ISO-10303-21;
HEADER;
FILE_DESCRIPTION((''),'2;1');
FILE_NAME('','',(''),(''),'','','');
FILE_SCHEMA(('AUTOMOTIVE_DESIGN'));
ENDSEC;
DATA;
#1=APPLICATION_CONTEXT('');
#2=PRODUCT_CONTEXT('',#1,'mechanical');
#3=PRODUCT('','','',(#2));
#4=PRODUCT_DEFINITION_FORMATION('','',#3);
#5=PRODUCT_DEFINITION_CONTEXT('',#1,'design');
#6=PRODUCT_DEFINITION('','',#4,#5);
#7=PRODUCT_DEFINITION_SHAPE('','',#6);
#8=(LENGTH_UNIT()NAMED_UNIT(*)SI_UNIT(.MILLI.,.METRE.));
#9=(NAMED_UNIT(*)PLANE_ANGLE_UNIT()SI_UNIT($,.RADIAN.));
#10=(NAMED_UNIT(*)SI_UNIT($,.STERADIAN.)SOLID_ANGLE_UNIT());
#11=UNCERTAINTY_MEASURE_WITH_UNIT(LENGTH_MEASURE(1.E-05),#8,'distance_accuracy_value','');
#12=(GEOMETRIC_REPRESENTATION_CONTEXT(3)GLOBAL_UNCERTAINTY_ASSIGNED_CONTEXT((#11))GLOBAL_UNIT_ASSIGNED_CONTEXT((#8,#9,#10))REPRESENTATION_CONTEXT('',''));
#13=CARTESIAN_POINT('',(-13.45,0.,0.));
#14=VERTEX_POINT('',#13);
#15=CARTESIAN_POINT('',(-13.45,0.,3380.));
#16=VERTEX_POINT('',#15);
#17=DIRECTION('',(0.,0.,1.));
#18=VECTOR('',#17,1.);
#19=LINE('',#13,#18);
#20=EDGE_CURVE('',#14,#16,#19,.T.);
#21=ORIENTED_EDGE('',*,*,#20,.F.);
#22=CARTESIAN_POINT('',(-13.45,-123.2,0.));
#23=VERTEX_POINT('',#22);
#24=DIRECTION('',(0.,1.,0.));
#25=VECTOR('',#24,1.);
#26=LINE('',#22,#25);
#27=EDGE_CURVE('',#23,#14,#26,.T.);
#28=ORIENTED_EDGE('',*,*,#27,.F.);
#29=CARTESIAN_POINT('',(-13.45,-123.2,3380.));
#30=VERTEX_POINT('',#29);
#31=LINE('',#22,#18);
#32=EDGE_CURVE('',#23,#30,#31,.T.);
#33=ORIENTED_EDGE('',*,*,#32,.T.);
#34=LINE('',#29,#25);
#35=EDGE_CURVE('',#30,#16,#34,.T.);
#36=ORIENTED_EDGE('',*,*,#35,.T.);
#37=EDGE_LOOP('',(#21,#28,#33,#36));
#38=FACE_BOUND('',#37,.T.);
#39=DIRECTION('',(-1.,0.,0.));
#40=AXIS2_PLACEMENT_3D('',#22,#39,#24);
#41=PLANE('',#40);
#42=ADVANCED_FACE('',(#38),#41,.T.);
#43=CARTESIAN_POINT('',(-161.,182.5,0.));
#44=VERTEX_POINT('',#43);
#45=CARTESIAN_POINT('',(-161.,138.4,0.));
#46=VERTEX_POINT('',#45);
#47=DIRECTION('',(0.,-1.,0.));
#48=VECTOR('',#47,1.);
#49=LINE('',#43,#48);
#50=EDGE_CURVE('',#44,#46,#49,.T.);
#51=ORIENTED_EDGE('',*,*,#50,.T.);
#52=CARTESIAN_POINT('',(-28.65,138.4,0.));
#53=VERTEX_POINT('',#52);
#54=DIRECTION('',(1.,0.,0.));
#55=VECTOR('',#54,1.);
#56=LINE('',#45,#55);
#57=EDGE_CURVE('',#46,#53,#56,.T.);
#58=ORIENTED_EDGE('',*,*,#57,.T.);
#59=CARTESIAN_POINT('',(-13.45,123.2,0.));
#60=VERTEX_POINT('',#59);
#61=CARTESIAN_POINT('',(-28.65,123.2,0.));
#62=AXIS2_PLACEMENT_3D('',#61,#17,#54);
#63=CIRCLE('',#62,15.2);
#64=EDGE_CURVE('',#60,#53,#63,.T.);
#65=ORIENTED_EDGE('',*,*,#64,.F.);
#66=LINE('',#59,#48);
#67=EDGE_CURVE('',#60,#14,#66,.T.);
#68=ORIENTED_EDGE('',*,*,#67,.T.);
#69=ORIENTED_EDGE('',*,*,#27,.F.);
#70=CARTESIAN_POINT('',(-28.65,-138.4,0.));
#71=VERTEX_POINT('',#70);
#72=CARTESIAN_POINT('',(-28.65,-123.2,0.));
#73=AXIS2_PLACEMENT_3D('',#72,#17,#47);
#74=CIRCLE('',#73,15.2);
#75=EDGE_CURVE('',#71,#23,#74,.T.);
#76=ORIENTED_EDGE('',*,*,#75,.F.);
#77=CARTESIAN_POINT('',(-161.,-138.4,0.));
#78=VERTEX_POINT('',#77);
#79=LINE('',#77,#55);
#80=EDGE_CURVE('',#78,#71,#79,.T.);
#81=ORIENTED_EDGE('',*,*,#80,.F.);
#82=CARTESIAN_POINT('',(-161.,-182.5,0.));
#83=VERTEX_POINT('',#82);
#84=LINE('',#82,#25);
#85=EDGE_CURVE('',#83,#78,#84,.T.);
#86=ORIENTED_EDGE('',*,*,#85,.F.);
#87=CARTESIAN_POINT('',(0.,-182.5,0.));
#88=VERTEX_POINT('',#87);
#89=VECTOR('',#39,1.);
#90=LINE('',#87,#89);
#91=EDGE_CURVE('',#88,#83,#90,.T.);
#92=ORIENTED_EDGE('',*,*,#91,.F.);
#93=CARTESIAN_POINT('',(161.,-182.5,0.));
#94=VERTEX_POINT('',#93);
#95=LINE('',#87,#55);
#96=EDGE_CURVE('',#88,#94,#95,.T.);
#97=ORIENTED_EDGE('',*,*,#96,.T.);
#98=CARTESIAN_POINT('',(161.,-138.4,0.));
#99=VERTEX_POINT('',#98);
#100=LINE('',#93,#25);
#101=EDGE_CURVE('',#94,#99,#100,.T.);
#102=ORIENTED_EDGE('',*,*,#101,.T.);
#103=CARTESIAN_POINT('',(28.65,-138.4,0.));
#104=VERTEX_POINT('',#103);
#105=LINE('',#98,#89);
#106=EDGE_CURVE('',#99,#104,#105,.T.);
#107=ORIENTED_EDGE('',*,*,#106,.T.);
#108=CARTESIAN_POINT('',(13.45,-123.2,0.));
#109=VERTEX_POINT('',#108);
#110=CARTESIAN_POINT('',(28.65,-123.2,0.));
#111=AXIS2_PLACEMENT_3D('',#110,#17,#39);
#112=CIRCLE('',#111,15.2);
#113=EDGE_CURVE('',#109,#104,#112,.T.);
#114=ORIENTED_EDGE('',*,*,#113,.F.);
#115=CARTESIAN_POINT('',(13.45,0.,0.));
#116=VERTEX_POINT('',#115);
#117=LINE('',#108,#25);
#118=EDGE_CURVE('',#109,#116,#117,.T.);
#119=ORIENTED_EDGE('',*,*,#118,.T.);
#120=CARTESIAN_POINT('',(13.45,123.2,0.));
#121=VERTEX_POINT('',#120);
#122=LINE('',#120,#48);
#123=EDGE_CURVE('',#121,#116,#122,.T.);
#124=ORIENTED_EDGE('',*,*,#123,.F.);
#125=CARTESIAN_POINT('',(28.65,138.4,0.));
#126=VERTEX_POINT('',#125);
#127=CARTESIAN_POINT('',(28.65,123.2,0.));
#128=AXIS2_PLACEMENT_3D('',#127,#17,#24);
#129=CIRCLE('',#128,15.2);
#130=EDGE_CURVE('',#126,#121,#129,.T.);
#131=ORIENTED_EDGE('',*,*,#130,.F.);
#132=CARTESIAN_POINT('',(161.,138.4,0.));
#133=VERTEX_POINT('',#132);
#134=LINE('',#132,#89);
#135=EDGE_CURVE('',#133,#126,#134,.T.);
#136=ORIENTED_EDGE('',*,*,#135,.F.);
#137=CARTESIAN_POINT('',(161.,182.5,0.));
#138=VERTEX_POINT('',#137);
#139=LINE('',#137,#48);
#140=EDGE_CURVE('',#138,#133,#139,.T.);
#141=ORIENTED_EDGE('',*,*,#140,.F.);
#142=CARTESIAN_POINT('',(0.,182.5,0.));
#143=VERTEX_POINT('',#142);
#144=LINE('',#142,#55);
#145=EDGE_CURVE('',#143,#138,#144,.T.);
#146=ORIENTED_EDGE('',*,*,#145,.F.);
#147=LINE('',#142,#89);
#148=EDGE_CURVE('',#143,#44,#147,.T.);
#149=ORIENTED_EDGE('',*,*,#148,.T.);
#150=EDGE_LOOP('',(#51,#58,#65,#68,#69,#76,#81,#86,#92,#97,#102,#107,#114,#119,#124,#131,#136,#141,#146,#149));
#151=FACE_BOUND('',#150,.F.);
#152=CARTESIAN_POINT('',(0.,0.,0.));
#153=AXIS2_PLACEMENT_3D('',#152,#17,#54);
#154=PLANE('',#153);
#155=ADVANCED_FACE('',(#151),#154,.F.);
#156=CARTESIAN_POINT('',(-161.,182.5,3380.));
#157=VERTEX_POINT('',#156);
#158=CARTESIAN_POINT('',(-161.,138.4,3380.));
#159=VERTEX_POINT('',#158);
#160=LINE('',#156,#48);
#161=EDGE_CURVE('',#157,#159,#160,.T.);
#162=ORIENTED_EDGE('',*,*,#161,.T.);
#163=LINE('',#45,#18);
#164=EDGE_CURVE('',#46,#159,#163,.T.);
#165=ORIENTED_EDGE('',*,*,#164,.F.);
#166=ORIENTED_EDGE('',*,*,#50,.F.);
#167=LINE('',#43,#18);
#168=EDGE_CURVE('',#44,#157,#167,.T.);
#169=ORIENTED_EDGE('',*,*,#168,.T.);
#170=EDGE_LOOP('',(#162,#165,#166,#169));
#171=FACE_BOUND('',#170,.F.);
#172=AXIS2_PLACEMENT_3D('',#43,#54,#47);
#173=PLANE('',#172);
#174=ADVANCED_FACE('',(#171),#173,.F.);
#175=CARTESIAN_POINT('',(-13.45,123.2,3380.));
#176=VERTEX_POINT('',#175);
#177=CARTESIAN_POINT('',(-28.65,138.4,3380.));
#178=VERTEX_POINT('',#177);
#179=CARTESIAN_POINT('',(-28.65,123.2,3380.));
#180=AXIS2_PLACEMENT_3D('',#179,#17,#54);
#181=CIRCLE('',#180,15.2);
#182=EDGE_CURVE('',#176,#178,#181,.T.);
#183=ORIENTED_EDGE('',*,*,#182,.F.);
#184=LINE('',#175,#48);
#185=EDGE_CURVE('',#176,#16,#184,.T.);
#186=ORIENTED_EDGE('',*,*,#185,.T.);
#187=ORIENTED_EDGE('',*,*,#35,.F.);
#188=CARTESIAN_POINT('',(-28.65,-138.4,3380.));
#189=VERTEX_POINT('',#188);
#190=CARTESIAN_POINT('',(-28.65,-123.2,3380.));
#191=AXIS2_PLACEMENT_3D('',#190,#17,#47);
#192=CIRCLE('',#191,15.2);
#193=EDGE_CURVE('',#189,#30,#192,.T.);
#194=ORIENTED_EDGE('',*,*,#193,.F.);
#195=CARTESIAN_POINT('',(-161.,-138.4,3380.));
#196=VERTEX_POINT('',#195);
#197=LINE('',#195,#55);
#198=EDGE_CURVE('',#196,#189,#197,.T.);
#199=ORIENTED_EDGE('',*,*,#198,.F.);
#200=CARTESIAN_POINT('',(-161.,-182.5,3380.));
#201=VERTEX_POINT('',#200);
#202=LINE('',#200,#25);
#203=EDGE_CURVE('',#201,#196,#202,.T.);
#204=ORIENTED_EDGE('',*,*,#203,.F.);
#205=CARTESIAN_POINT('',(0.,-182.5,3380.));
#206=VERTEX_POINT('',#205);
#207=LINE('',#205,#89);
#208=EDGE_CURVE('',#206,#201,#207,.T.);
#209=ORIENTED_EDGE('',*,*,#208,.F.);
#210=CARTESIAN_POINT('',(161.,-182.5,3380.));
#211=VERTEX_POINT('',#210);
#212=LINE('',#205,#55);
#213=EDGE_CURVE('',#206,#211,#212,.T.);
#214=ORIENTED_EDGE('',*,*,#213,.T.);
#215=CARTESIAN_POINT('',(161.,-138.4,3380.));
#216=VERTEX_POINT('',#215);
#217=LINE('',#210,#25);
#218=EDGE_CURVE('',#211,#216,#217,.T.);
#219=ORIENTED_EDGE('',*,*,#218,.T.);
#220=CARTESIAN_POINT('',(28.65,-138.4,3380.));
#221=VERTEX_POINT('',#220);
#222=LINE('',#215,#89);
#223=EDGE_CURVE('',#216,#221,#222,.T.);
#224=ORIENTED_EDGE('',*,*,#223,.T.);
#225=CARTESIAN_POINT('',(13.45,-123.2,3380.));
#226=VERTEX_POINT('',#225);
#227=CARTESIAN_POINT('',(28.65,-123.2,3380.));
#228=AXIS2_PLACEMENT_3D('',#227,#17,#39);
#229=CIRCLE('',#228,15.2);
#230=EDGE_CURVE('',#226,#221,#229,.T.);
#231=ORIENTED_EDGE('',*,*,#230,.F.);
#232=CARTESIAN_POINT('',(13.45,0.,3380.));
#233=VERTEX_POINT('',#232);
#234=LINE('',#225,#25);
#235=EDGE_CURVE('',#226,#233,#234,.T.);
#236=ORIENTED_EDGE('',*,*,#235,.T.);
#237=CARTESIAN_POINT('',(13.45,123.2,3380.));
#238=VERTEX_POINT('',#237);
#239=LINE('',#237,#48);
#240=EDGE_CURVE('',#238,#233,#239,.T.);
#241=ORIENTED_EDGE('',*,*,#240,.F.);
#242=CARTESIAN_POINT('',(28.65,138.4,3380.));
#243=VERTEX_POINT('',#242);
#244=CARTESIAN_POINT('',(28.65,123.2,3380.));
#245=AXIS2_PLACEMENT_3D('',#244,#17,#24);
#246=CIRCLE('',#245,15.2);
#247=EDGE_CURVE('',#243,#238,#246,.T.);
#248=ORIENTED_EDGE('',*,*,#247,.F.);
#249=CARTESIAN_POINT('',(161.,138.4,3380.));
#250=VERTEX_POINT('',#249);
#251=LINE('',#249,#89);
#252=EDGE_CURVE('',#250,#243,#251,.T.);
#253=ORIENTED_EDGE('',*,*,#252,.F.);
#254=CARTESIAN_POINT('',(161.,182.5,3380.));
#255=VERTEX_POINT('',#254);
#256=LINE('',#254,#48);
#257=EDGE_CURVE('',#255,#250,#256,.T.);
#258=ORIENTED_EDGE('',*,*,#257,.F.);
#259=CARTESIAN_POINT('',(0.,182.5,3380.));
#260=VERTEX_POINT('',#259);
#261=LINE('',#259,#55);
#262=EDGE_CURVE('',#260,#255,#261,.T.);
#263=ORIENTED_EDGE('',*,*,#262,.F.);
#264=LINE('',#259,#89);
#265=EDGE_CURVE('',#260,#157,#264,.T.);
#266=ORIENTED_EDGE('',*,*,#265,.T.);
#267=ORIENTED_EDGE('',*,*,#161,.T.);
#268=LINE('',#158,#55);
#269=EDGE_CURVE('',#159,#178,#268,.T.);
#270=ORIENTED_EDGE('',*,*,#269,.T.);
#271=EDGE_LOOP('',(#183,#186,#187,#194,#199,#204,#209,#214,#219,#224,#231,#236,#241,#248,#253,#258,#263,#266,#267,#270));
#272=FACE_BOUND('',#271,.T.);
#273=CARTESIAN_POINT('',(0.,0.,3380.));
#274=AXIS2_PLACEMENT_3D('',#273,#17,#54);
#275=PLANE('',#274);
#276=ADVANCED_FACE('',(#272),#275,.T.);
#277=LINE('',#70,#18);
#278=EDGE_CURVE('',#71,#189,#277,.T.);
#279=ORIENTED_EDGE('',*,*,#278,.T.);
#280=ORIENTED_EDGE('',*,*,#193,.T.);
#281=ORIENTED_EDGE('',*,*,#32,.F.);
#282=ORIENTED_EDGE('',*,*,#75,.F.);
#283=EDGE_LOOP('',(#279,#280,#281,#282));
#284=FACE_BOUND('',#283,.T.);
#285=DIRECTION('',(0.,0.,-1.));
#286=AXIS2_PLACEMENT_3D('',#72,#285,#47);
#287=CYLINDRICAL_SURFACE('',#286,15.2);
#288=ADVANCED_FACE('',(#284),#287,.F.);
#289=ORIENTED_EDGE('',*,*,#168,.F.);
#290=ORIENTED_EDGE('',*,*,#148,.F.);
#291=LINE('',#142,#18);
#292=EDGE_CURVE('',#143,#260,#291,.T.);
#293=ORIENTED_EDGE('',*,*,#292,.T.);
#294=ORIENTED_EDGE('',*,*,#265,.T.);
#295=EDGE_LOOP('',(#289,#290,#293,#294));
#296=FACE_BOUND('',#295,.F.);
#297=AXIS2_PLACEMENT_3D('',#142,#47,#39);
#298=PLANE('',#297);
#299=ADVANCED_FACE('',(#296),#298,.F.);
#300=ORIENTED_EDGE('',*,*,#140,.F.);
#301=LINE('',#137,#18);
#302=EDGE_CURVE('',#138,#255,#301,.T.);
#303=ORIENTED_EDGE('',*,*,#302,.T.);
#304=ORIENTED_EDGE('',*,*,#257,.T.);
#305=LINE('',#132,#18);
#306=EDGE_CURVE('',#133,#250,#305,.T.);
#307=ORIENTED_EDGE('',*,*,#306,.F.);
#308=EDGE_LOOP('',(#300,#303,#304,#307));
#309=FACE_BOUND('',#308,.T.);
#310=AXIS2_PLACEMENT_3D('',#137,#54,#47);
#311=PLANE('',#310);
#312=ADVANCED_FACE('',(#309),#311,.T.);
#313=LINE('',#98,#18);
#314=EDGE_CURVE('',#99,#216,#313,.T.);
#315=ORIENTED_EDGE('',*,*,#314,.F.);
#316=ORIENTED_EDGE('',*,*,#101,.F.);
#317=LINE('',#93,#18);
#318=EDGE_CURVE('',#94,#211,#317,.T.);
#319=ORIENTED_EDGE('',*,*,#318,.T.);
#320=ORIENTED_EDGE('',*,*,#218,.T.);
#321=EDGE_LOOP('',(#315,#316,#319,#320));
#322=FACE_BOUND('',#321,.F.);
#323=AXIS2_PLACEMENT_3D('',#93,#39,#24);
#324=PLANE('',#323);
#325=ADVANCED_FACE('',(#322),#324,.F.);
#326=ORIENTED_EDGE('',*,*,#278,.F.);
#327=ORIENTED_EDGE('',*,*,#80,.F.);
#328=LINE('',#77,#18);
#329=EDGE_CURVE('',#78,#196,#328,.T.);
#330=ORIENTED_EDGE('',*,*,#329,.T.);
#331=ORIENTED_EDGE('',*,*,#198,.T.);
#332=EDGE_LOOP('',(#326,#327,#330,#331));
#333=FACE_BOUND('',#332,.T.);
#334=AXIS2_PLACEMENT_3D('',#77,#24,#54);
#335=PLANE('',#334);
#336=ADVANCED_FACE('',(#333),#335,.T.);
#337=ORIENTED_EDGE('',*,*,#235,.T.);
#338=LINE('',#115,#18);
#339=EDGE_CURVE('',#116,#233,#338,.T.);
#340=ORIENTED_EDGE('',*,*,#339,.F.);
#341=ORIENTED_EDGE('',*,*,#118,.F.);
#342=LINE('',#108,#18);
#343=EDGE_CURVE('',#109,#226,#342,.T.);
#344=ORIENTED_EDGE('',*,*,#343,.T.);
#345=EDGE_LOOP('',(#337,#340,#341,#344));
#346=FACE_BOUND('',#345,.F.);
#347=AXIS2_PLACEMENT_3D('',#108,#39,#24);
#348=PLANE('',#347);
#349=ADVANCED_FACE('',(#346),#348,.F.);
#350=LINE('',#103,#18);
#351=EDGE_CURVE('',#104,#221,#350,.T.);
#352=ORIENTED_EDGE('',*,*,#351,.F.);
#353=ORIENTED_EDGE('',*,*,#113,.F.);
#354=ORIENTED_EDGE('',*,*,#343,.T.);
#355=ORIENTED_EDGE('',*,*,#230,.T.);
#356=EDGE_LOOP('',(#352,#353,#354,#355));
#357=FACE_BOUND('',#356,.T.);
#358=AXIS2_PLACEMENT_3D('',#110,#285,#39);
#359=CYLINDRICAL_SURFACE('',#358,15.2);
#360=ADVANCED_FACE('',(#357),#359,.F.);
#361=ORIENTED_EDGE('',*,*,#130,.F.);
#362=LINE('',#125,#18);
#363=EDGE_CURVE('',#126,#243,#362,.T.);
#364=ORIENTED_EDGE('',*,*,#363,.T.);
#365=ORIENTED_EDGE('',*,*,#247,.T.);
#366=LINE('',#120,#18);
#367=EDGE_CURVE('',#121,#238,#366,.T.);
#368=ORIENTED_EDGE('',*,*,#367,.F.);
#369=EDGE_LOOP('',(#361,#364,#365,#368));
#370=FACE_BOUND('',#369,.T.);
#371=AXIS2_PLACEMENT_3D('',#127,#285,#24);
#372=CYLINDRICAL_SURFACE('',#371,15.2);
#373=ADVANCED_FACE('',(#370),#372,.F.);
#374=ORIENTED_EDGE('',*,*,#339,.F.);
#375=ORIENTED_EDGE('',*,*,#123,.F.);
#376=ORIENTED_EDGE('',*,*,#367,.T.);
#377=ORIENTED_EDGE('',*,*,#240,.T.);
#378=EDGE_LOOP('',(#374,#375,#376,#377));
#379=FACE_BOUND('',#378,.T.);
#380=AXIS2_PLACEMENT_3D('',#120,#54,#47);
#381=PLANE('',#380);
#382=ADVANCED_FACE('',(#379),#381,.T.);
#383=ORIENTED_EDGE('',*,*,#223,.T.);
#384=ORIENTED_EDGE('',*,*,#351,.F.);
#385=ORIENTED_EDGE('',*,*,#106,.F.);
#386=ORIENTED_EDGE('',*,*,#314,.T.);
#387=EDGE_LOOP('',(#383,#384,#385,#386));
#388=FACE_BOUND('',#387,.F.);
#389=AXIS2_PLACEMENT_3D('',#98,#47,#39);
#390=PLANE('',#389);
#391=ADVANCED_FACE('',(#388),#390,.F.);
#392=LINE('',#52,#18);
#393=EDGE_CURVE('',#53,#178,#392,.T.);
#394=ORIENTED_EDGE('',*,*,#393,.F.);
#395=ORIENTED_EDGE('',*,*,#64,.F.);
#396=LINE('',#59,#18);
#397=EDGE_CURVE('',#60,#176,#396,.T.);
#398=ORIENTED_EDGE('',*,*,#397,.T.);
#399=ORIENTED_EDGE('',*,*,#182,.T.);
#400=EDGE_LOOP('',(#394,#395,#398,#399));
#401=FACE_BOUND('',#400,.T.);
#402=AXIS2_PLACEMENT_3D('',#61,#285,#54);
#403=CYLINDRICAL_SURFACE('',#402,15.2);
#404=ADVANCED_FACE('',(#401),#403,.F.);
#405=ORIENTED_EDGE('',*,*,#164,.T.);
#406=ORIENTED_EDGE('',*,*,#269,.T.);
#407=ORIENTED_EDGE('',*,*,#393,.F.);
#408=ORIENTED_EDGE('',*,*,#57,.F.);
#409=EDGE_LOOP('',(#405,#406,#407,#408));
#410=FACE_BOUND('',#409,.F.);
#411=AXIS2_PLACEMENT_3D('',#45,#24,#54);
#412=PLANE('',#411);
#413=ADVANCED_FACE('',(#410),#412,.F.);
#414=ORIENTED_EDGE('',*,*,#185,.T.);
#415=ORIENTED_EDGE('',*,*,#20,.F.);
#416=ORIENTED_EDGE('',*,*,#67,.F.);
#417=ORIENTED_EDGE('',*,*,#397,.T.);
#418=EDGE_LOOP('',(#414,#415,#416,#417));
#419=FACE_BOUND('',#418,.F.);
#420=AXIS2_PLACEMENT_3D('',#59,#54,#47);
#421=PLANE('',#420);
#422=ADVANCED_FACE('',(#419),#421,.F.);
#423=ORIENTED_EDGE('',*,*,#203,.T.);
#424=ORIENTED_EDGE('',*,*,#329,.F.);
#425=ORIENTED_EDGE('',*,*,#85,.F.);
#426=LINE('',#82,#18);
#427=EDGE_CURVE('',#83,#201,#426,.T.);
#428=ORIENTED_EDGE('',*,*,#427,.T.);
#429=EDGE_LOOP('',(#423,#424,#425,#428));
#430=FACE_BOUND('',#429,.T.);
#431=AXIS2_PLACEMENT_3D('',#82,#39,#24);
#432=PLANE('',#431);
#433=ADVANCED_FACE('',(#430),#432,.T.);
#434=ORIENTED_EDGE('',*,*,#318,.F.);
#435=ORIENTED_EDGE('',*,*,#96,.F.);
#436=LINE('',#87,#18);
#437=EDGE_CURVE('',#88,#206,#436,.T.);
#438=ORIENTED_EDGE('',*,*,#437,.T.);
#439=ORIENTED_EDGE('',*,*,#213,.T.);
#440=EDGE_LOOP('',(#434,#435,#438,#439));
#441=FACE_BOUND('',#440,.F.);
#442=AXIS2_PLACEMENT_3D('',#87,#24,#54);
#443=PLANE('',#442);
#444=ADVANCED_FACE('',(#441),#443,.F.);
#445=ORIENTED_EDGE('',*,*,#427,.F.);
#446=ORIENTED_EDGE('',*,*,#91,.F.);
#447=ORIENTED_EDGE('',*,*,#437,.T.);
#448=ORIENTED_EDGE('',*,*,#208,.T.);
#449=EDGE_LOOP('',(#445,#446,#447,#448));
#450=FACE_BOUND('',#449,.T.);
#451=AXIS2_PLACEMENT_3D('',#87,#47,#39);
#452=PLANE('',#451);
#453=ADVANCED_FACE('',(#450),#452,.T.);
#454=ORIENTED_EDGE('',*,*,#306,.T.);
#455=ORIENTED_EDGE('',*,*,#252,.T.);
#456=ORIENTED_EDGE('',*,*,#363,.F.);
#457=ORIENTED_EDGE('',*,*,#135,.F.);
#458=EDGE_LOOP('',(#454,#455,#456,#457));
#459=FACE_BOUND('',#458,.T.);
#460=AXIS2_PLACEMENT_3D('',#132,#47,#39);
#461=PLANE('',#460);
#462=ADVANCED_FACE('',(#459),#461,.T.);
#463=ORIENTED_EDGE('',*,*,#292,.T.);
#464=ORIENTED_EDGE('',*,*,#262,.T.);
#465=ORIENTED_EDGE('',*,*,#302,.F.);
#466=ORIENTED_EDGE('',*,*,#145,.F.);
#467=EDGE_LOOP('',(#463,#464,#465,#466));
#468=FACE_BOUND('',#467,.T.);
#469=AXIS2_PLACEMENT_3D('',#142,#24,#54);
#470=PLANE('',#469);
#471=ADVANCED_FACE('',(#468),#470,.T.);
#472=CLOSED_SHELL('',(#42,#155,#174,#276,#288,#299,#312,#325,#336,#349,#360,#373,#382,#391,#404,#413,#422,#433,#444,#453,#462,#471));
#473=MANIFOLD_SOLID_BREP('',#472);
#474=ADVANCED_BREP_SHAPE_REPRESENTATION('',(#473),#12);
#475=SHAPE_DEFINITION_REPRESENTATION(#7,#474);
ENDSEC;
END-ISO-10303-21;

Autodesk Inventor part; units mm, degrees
ref_plane "YZ Plane" through (0, 0, 0) normal (1, 0, 0) x (0, 1, 0)
ref_plane "Start plane" through (0, 0, 0) normal (0, 0, 1) x (1, 0, 0)
ref_plane "End plane" through (0, 0, 3380) normal (0, 0, 1) x (1, 0, 0)
sketch "Sketch" plane through (0, 0, 0) normal (0, 0, 1) x (1, 0, 0)
  line L0 (-161, -182.5) -> (-161, -138.4)
  line L1 (-161, -138.4) -> (-28.65, -138.4)
  line L2 (-13.45, -123.2) -> (-13.45, 0)
  line L3 (-13.45, 0) -> (0, 0) construction
  line L4 (0, 0) -> (0, -182.5) construction
  line L5 (0, -182.5) -> (-161, -182.5)
  line L6 (-60, 0) -> (80, 0) construction
  line L7 (0, -60) -> (0, 80) construction
  line L8 (161, -182.5) -> (161, -138.4)
  line L9 (161, -138.4) -> (28.65, -138.4)
  line L10 (13.45, -123.2) -> (13.45, 0)
  line L11 (13.45, 0) -> (0, 0) construction
  line L12 (0, -182.5) -> (161, -182.5)
  line L13 (-161, 182.5) -> (-161, 138.4)
  line L14 (-161, 138.4) -> (-28.65, 138.4)
  line L15 (-13.45, 123.2) -> (-13.45, 0)
  line L16 (0, 182.5) -> (-161, 182.5)
  line L17 (161, 182.5) -> (161, 138.4)
  line L18 (161, 138.4) -> (28.65, 138.4)
  line L19 (0, 182.5) -> (161, 182.5)
  line L20 (13.45, 123.2) -> (13.45, 0)
  arc A0 (-13.45, 123.2) -> (-28.65, 138.4) centre (-28.65, 123.2) ccw
  arc A1 (28.65, 138.4) -> (13.45, 123.2) centre (28.65, 123.2) ccw
  arc A2 (13.45, -123.2) -> (28.65, -138.4) centre (28.65, -123.2) ccw
  arc A3 (-28.65, -138.4) -> (-13.45, -123.2) centre (-28.65, -123.2) ccw
  line L21 (0, 108) -> (0, -88) construction
  line L22 (-88, 0) -> (108, 0) construction
  point P0 (-13.45, -138.4)
  point P1 (13.45, -138.4)
  point P2 (-13.45, 138.4)
  point P3 (13.45, 138.4)
  dimension "d1" = 182.5
  dimension "d2" = 44.1
  dimension "d3" = 161
  dimension "d4" = 13.45
  dimension "d10" = 15.2
extrude "Body" add sketch "Sketch" along normal up to surface (3380 mm away) from surface at 0
sketch "Sketch4" plane through (0, 0, 0) normal (0, 0, 1) x (1, 0, 0)
  line L0 (0, 0) -> (10, 0)
ref_plane "Work Plane3" through (0, 0, 0) normal (0, -1, 0) x (1, 0, 0)
sketch "Sketch5" plane through (0, 0, 0) normal (0, -1, 0) x (1, 0, 0)
  line L0 (-2, 0) -> (12, 0) projected
  line L1 (-2, 3380) -> (12, 3380) projected
  dimension "d14" = 3380
equation "\"d1\" = 0.5 * G_H"
equation "\"d2\" = G_T1"
equation "\"d3\" = 0.5 * G_W"
equation "\"d4\" = 0.5 * G_T"
equation "\"d10\" = G_IR"
equation "\"d5\" = G_L"
equation "\"G_W\" = 322"
equation "\"G_H\" = 365"
equation "\"G_T\" = 26.9"
equation "\"G_T1\" = 44.1"
equation "\"G_IR\" = 15.2"
equation "\"G_L\" = d14"
equation "\"G_OFFSET_START\" = 0"
equation "\"G_OFFSET_END\" = 0"
properties part number "AS 3679 - 310 UC - 283 - 3380" material "Steel, Mild"
